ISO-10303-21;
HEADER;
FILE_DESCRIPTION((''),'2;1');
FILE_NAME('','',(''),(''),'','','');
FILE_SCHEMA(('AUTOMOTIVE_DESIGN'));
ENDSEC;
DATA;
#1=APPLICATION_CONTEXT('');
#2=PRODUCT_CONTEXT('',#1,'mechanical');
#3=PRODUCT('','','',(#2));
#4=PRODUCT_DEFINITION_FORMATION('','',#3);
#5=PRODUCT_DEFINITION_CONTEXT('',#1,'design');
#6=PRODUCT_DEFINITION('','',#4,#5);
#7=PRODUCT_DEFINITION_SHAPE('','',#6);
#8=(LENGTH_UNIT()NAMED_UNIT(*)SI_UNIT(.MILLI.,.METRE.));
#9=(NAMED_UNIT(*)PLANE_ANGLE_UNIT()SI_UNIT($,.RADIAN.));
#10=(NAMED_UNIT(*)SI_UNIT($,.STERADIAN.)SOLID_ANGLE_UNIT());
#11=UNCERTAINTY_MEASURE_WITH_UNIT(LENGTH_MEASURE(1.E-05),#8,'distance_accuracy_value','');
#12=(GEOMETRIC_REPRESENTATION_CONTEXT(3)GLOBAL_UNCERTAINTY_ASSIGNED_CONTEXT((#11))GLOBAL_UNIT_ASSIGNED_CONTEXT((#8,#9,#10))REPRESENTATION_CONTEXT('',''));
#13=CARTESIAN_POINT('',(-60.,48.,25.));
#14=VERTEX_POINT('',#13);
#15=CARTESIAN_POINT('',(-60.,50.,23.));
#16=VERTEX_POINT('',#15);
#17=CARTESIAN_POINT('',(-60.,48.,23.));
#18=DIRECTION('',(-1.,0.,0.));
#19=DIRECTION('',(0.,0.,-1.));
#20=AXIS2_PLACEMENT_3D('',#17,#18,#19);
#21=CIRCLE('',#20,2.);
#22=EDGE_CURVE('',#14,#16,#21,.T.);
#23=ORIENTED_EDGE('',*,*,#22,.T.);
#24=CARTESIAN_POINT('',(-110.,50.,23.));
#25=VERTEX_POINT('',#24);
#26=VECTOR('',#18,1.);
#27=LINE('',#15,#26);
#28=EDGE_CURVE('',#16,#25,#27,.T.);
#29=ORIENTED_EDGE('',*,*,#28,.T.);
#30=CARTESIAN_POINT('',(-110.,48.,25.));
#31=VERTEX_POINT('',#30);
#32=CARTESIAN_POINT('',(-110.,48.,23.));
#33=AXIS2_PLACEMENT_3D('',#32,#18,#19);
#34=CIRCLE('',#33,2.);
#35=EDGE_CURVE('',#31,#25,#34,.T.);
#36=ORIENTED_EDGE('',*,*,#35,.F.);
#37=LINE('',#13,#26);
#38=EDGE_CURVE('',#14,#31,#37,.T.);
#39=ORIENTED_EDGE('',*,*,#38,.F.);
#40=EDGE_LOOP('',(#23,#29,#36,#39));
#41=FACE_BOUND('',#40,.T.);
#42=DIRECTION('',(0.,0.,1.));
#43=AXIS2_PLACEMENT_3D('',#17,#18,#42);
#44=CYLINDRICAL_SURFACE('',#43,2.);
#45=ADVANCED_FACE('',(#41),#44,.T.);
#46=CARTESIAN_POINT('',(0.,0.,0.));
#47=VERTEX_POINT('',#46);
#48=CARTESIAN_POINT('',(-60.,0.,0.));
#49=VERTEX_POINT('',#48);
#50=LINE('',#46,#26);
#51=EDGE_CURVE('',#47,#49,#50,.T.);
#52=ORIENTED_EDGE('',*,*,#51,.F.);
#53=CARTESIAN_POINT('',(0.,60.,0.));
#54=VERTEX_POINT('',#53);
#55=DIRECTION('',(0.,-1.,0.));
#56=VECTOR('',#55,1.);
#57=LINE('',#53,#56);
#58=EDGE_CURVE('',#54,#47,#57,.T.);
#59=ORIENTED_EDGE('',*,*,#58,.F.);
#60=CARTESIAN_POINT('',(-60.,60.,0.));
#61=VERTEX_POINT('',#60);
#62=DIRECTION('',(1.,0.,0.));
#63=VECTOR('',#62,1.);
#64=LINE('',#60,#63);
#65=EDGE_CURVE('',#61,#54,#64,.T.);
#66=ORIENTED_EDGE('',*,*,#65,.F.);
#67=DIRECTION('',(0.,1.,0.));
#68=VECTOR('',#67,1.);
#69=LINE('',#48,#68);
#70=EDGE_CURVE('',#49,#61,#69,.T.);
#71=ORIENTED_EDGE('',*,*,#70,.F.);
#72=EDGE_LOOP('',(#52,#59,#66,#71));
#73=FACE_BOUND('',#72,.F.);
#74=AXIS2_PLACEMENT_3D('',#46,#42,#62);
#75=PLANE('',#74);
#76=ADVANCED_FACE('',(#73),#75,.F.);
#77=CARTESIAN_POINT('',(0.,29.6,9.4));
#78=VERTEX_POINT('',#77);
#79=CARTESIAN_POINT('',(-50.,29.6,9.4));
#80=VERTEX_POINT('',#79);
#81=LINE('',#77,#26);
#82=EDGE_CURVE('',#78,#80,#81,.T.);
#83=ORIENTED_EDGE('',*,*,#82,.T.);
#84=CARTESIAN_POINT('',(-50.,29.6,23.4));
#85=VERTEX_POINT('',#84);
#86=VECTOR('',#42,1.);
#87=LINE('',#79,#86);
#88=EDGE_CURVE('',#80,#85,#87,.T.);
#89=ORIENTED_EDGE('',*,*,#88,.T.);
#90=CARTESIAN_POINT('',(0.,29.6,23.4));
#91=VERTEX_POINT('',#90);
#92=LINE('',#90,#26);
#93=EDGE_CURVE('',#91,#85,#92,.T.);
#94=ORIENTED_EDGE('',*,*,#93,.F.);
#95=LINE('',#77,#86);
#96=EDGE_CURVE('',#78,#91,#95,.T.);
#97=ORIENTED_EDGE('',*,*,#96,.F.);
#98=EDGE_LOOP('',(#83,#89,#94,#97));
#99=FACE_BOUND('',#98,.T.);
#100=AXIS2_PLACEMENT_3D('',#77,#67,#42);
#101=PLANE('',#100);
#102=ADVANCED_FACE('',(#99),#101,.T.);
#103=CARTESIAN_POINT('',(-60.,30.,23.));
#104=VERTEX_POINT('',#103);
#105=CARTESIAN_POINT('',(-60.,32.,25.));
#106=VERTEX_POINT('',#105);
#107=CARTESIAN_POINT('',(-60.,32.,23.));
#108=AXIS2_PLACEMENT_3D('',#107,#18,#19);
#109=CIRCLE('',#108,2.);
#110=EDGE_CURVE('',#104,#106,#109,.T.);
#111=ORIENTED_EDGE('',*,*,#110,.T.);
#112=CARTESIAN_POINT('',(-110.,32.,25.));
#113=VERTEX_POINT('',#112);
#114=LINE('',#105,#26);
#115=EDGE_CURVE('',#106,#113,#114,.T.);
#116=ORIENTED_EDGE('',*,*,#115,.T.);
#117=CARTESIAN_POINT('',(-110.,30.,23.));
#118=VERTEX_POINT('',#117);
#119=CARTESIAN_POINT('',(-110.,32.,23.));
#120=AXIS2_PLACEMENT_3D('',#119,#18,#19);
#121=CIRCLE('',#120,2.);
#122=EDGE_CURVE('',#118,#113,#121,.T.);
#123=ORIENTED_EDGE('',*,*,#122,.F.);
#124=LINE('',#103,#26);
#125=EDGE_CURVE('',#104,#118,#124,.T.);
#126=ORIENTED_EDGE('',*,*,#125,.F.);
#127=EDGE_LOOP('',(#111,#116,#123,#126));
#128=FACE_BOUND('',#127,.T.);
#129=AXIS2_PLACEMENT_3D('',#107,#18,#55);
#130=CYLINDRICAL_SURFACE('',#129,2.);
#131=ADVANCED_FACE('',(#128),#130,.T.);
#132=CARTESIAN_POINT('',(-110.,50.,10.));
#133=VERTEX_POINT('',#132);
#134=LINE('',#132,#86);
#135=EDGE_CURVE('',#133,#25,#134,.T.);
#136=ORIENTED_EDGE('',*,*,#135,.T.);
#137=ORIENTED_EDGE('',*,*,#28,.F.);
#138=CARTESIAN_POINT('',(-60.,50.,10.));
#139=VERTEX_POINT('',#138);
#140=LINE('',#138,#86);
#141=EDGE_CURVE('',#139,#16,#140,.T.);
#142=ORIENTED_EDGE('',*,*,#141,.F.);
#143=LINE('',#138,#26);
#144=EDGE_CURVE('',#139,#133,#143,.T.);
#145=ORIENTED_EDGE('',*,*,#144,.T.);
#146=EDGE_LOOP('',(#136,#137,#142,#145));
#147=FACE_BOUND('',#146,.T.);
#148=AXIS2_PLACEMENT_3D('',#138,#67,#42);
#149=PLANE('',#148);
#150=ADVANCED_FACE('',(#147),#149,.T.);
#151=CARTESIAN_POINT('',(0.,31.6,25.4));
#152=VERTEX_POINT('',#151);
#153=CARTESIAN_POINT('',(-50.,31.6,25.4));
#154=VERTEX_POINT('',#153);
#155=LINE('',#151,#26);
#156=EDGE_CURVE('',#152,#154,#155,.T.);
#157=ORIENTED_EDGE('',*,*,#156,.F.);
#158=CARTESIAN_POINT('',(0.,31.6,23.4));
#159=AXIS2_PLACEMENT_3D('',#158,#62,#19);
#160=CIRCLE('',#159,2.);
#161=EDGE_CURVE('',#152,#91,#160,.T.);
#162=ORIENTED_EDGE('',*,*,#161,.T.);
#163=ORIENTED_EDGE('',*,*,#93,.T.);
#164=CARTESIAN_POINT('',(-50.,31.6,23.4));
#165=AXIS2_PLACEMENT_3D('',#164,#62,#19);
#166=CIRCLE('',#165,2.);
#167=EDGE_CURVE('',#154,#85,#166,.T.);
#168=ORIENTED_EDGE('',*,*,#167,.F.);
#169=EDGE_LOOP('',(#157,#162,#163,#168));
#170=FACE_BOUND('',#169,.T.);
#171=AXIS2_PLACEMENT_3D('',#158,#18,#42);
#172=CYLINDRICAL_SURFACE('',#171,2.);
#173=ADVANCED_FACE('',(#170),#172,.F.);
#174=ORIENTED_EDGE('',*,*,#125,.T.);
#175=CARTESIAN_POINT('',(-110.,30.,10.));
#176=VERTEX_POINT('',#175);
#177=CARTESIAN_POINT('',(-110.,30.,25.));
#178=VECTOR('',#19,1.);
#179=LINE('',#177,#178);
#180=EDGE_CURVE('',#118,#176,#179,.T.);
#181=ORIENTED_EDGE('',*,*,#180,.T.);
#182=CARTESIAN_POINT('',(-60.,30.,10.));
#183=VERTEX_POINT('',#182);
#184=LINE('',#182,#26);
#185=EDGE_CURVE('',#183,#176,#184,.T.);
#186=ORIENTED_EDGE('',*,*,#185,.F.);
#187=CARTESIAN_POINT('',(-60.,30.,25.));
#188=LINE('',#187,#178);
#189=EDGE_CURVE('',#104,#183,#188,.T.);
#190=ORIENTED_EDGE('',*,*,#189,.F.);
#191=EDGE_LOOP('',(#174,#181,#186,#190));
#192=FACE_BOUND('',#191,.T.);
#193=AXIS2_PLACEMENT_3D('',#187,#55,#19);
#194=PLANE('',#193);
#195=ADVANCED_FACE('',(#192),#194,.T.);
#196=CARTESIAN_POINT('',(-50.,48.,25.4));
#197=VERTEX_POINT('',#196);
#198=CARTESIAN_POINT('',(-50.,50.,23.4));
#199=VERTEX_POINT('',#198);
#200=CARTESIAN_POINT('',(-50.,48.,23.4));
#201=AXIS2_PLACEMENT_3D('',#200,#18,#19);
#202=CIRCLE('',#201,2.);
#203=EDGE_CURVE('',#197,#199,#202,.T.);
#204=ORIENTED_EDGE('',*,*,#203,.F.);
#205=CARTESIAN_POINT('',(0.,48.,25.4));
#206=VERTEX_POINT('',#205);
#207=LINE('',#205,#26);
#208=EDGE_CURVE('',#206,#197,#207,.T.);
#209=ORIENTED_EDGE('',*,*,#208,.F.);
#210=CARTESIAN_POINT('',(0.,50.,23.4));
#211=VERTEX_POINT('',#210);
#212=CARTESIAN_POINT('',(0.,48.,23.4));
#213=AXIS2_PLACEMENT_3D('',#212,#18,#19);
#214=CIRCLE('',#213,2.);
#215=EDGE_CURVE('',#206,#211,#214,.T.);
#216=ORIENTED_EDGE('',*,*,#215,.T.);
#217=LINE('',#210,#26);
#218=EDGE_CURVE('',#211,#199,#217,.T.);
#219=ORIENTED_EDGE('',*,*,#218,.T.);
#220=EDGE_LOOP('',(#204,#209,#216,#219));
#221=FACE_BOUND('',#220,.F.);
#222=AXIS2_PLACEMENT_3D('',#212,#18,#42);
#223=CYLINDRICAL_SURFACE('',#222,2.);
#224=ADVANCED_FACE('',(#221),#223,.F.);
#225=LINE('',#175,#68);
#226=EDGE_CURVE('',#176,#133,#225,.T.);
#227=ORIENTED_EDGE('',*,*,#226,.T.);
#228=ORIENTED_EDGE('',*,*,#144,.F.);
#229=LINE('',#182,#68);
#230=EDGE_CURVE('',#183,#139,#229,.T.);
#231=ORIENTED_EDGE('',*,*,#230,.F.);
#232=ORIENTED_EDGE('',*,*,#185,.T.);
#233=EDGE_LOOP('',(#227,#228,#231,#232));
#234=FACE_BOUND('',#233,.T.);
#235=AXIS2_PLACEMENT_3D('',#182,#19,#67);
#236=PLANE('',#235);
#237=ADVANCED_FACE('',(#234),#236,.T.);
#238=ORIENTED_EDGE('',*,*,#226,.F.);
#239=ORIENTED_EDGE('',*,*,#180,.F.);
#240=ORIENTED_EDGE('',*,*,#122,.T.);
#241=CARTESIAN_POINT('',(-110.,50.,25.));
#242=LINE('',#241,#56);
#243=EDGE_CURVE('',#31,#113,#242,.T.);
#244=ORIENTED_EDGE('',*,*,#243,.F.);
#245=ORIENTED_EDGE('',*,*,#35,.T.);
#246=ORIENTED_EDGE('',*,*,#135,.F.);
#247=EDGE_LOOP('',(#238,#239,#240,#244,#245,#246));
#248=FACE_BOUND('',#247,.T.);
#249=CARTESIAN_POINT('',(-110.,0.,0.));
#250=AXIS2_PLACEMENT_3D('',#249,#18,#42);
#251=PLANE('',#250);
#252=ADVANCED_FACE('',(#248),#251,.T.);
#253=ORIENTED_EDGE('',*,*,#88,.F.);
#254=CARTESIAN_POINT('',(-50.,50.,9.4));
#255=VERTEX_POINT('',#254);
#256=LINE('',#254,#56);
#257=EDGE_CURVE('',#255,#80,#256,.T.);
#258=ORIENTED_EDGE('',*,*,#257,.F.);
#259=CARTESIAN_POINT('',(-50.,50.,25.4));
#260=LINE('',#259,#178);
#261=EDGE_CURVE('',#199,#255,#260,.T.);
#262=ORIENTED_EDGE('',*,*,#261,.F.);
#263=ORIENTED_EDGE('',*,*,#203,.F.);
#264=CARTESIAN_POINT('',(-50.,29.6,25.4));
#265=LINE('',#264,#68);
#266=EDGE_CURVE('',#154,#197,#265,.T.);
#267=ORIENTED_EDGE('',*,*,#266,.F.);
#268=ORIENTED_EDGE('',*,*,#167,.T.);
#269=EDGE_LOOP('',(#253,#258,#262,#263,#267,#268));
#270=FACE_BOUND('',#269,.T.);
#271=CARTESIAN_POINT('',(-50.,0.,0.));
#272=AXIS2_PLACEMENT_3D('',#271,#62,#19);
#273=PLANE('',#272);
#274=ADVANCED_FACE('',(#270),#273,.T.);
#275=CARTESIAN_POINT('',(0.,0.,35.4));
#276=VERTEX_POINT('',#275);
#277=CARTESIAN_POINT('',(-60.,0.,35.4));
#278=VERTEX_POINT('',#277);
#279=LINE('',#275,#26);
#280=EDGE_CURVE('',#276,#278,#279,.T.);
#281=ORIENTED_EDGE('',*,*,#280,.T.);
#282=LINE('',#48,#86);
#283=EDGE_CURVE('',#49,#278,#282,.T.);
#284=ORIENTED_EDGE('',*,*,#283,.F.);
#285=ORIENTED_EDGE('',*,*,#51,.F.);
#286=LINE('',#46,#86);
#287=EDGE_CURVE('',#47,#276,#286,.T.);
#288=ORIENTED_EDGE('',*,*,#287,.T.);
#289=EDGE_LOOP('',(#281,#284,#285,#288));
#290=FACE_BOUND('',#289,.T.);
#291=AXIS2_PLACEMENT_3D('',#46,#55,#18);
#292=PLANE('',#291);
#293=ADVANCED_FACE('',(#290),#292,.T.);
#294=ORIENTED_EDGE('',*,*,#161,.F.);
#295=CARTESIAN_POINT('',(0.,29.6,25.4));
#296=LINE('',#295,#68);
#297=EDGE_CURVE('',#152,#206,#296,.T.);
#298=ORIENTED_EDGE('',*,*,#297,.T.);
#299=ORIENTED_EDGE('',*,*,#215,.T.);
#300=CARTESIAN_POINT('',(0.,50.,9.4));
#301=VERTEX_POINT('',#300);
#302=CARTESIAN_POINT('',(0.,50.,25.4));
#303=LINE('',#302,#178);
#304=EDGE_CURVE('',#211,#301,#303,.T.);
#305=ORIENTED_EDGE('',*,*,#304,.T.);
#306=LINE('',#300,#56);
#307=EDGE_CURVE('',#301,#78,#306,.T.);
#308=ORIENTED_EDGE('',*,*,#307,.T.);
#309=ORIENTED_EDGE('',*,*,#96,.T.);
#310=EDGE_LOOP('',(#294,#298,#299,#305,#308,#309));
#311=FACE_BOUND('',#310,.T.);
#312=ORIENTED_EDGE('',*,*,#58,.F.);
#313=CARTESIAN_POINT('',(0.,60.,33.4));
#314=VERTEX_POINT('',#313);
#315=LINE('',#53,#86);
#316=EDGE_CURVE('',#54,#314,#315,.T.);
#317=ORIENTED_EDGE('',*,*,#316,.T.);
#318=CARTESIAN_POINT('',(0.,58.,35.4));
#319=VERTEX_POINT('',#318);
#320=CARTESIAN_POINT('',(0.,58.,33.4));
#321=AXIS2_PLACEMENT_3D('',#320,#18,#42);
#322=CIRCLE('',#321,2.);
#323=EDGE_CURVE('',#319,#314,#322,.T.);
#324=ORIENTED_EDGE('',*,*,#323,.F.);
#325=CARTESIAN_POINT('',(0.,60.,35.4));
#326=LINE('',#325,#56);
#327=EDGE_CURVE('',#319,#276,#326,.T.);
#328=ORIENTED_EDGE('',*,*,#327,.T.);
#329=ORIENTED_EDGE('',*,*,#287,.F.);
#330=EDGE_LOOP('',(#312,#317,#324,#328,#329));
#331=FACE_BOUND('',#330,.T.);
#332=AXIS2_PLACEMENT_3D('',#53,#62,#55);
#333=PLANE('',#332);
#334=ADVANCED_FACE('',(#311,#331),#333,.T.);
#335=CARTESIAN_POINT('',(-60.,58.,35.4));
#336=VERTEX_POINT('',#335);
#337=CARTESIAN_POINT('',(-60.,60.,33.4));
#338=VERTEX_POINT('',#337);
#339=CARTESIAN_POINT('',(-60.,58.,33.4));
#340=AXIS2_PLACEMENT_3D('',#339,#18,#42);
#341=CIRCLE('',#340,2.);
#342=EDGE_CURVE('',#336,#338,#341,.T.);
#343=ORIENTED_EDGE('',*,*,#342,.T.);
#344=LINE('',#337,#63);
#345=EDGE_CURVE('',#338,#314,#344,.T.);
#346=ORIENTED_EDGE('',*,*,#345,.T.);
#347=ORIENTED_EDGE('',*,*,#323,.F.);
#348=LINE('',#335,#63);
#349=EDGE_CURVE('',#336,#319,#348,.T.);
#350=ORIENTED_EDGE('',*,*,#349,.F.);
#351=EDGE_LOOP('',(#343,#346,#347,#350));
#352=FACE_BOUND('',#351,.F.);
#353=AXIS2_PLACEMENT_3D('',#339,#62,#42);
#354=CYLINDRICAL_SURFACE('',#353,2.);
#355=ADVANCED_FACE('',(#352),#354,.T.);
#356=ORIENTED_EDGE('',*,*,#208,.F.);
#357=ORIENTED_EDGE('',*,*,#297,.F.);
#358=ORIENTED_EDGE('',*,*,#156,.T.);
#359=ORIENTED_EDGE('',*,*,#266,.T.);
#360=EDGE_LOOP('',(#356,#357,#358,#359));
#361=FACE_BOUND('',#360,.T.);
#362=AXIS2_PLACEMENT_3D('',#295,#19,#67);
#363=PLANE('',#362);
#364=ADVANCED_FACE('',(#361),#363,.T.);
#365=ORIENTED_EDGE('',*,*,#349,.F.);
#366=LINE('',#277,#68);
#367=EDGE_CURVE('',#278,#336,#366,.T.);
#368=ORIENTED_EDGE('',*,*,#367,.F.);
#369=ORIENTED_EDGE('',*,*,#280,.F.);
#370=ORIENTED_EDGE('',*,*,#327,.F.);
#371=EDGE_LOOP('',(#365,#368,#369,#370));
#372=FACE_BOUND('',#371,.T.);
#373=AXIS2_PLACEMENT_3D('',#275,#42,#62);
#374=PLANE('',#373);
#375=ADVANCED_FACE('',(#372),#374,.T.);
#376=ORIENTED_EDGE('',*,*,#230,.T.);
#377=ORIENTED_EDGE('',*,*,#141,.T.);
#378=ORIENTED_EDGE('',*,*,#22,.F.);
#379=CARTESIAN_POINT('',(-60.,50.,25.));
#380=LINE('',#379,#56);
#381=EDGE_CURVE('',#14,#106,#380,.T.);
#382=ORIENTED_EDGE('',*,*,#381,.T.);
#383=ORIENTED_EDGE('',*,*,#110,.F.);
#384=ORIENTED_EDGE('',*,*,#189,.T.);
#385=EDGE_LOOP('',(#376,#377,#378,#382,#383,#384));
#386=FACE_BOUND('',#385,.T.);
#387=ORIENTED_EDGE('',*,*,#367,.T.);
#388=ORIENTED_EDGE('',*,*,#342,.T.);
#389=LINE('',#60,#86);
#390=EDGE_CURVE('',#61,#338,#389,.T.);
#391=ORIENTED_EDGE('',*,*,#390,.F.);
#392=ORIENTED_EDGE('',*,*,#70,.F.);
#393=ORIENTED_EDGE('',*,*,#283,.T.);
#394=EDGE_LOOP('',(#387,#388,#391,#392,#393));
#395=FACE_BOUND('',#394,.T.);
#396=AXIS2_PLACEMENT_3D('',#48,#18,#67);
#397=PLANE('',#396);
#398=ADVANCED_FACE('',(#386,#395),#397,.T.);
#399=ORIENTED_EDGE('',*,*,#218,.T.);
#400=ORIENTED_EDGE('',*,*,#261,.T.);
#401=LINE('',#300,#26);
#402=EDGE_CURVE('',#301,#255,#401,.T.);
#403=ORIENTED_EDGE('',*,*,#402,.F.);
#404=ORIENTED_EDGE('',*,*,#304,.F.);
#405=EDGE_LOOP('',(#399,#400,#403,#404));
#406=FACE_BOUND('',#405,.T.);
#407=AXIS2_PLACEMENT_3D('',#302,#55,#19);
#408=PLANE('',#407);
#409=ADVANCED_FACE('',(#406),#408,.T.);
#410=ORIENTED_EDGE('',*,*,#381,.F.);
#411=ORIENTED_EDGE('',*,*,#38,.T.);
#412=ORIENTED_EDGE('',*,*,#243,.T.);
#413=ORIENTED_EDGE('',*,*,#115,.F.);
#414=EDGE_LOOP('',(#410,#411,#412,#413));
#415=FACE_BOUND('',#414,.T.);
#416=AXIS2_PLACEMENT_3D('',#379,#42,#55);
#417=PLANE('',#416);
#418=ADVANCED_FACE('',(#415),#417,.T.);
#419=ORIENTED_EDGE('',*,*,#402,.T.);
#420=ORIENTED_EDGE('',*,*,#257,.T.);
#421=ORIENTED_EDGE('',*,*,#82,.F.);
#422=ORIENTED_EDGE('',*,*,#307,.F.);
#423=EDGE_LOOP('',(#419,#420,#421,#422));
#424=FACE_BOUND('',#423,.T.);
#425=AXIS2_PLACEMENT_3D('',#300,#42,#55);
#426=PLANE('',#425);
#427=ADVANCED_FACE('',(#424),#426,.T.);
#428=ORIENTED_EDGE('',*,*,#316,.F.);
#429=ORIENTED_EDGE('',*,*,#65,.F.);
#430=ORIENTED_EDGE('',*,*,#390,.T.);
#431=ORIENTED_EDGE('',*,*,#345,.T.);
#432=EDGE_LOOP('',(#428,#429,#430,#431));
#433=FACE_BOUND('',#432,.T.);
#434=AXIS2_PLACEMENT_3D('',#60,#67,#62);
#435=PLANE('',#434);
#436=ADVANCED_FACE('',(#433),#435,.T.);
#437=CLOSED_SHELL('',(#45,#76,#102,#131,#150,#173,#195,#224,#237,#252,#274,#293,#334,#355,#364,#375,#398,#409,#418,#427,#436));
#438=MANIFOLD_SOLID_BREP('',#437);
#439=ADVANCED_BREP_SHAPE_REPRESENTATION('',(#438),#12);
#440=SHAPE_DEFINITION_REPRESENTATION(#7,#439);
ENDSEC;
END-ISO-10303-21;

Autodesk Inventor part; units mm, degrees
ref_plane "YZ Plane" through (0, 0, 0) normal (1, 0, 0) x (0, 1, 0)
ref_plane "XZ Plane" through (0, 0, 0) normal (0, 1, 0) x (-1, 0, 0)
ref_plane "XY Plane" through (0, 0, 0) normal (0, 0, 1) x (1, 0, 0)
sketch "Sketch5" plane through (0, 0, 0) normal (0, 0, 1) x (1, 0, 0)
  line L0 (0, 0) -> (-60, 0)
  line L1 (-60, 0) -> (-60, 60)
  line L2 (-60, 60) -> (0, 60)
  line L3 (0, 60) -> (0, 0)
  dimension "d55" = 60
  dimension "d56" = 60
extrude "Extrusion4" add sketch "Sketch5" along normal blind 35.4
sketch "Sketch6" plane through (0, 0, 0) normal (1, 0, 0) x (0, 0, -1)
  line L0 (-35.4, 60) -> (-35.4, 0) projected
  line L1 (-35.4, 60) -> (-25.4, 60)
  line L2 (-25.4, 60) -> (-25.4, 50)
  line L3 (-25.4, 50) -> (-35.4, 50)
  line L4 (-35.4, 50) -> (-35.4, 60)
  line L5 (-25.4, 50) -> (-9.4, 50)
  line L6 (-9.4, 50) -> (-9.4, 29.6)
  line L7 (-9.4, 29.6) -> (-25.4, 29.6)
  line L8 (-25.4, 29.6) -> (-25.4, 50)
  point P0 (0, 0)
  dimension "d61" = 10
  dimension "d62" = 10
  dimension "d65" = 16
  dimension "d66" = 20.4
extrude "Extrusion5" cut sketch "Sketch6" against normal blind 50 contours L5 L6 L7 L8
sketch "Sketch7" plane through (-60, 0, 0) normal (-1, 0, 0) x (0, 0, 1)
  line L0 (0, 0) -> (0, 60) projected
  line L1 (0, 60) -> (10, 60)
  line L2 (10, 60) -> (10, 50)
  line L3 (10, 50) -> (0, 50)
  line L4 (0, 50) -> (0, 60)
  line L5 (10, 50) -> (25, 50)
  line L6 (25, 50) -> (25, 30)
  line L7 (25, 30) -> (10, 30)
  line L8 (10, 30) -> (10, 50)
  dimension "d68" = 10
  dimension "d69" = 10
  dimension "d70" = 15
  dimension "d71" = 20
extrude "Extrusion6" add sketch "Sketch7" along normal blind 50 contours L5 L6 L7 L8
fillet "Fillet5" radius 2 5 edges at (-85, 50, 25) (-85, 30, 25) (-30, 60, 35.4) (-25, 29.6, 25.4) (-25, 50, 25.4)
properties part number "Clasp"
